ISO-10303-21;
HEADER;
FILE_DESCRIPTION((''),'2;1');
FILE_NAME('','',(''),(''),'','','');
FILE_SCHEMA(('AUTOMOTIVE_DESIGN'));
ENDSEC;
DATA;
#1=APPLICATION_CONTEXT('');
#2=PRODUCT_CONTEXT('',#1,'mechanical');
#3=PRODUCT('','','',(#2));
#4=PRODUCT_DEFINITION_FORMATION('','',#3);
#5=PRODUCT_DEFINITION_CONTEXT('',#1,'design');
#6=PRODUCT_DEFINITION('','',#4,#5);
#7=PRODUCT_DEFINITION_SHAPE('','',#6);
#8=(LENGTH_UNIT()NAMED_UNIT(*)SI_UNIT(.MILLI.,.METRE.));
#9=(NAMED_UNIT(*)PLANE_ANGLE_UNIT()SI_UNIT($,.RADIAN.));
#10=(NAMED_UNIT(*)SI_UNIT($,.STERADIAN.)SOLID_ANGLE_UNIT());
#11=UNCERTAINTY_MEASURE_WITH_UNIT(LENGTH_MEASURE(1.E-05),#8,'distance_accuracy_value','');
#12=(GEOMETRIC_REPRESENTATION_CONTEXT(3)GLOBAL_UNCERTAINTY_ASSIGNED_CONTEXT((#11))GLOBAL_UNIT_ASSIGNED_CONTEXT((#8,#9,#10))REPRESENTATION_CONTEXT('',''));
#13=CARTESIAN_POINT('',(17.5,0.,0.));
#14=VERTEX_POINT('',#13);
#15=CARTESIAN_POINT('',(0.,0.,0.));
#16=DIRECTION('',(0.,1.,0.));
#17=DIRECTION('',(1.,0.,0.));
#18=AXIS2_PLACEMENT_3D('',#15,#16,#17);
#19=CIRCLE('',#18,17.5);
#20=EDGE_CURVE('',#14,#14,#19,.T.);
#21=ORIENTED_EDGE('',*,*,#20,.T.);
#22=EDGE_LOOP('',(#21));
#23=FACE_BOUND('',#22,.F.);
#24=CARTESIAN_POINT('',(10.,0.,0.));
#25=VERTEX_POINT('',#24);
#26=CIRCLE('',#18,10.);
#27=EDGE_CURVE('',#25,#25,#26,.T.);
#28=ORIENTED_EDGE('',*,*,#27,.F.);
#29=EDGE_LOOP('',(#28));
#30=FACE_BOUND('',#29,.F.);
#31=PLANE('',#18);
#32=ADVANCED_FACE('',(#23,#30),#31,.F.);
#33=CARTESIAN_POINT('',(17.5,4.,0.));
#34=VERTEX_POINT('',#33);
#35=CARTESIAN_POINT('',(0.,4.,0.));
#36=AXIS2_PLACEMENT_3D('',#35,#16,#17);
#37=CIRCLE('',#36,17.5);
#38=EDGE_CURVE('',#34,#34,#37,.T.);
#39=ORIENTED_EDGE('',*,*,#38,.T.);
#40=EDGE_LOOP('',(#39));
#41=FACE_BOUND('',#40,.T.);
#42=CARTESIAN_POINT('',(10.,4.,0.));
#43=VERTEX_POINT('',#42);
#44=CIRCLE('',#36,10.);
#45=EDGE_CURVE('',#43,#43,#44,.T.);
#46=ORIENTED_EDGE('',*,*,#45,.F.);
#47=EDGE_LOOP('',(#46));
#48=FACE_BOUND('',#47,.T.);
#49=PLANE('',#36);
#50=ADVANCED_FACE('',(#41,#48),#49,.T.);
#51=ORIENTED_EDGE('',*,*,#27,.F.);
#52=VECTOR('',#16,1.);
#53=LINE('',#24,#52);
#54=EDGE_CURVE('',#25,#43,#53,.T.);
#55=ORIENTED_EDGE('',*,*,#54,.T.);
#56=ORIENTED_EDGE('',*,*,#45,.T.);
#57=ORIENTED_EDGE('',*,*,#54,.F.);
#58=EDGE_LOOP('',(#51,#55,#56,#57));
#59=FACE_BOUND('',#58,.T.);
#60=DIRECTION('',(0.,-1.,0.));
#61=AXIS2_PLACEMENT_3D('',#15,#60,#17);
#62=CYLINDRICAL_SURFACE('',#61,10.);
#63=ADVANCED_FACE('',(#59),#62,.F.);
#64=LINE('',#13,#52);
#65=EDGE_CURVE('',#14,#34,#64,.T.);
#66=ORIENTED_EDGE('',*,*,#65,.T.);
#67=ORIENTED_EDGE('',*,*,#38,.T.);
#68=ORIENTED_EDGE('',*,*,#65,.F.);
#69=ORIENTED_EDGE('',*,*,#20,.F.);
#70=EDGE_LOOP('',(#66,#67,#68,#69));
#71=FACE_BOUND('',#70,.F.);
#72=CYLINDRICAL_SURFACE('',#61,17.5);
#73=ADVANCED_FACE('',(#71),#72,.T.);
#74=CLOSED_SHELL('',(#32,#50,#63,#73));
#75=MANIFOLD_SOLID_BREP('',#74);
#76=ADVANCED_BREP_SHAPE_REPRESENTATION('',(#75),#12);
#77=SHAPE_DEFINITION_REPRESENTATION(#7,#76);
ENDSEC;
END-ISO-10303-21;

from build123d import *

# Parameters (mm, degrees)
SKETCH1_R           = 17.5
SKETCH1_R_2         = 10
BOSS_EXTRUDE1_DEPTH = 4


with BuildPart() as part:
    # Sketch1 → Boss-Extrude1 (new body)
    with BuildSketch(Plane(origin=(0, 0, 0), x_dir=(1, 0, 0), z_dir=(0, 1, 0))):
        Circle(SKETCH1_R)
        Circle(SKETCH1_R_2, mode=Mode.SUBTRACT)
    extrude(amount=BOSS_EXTRUDE1_DEPTH)


solid = part.part
